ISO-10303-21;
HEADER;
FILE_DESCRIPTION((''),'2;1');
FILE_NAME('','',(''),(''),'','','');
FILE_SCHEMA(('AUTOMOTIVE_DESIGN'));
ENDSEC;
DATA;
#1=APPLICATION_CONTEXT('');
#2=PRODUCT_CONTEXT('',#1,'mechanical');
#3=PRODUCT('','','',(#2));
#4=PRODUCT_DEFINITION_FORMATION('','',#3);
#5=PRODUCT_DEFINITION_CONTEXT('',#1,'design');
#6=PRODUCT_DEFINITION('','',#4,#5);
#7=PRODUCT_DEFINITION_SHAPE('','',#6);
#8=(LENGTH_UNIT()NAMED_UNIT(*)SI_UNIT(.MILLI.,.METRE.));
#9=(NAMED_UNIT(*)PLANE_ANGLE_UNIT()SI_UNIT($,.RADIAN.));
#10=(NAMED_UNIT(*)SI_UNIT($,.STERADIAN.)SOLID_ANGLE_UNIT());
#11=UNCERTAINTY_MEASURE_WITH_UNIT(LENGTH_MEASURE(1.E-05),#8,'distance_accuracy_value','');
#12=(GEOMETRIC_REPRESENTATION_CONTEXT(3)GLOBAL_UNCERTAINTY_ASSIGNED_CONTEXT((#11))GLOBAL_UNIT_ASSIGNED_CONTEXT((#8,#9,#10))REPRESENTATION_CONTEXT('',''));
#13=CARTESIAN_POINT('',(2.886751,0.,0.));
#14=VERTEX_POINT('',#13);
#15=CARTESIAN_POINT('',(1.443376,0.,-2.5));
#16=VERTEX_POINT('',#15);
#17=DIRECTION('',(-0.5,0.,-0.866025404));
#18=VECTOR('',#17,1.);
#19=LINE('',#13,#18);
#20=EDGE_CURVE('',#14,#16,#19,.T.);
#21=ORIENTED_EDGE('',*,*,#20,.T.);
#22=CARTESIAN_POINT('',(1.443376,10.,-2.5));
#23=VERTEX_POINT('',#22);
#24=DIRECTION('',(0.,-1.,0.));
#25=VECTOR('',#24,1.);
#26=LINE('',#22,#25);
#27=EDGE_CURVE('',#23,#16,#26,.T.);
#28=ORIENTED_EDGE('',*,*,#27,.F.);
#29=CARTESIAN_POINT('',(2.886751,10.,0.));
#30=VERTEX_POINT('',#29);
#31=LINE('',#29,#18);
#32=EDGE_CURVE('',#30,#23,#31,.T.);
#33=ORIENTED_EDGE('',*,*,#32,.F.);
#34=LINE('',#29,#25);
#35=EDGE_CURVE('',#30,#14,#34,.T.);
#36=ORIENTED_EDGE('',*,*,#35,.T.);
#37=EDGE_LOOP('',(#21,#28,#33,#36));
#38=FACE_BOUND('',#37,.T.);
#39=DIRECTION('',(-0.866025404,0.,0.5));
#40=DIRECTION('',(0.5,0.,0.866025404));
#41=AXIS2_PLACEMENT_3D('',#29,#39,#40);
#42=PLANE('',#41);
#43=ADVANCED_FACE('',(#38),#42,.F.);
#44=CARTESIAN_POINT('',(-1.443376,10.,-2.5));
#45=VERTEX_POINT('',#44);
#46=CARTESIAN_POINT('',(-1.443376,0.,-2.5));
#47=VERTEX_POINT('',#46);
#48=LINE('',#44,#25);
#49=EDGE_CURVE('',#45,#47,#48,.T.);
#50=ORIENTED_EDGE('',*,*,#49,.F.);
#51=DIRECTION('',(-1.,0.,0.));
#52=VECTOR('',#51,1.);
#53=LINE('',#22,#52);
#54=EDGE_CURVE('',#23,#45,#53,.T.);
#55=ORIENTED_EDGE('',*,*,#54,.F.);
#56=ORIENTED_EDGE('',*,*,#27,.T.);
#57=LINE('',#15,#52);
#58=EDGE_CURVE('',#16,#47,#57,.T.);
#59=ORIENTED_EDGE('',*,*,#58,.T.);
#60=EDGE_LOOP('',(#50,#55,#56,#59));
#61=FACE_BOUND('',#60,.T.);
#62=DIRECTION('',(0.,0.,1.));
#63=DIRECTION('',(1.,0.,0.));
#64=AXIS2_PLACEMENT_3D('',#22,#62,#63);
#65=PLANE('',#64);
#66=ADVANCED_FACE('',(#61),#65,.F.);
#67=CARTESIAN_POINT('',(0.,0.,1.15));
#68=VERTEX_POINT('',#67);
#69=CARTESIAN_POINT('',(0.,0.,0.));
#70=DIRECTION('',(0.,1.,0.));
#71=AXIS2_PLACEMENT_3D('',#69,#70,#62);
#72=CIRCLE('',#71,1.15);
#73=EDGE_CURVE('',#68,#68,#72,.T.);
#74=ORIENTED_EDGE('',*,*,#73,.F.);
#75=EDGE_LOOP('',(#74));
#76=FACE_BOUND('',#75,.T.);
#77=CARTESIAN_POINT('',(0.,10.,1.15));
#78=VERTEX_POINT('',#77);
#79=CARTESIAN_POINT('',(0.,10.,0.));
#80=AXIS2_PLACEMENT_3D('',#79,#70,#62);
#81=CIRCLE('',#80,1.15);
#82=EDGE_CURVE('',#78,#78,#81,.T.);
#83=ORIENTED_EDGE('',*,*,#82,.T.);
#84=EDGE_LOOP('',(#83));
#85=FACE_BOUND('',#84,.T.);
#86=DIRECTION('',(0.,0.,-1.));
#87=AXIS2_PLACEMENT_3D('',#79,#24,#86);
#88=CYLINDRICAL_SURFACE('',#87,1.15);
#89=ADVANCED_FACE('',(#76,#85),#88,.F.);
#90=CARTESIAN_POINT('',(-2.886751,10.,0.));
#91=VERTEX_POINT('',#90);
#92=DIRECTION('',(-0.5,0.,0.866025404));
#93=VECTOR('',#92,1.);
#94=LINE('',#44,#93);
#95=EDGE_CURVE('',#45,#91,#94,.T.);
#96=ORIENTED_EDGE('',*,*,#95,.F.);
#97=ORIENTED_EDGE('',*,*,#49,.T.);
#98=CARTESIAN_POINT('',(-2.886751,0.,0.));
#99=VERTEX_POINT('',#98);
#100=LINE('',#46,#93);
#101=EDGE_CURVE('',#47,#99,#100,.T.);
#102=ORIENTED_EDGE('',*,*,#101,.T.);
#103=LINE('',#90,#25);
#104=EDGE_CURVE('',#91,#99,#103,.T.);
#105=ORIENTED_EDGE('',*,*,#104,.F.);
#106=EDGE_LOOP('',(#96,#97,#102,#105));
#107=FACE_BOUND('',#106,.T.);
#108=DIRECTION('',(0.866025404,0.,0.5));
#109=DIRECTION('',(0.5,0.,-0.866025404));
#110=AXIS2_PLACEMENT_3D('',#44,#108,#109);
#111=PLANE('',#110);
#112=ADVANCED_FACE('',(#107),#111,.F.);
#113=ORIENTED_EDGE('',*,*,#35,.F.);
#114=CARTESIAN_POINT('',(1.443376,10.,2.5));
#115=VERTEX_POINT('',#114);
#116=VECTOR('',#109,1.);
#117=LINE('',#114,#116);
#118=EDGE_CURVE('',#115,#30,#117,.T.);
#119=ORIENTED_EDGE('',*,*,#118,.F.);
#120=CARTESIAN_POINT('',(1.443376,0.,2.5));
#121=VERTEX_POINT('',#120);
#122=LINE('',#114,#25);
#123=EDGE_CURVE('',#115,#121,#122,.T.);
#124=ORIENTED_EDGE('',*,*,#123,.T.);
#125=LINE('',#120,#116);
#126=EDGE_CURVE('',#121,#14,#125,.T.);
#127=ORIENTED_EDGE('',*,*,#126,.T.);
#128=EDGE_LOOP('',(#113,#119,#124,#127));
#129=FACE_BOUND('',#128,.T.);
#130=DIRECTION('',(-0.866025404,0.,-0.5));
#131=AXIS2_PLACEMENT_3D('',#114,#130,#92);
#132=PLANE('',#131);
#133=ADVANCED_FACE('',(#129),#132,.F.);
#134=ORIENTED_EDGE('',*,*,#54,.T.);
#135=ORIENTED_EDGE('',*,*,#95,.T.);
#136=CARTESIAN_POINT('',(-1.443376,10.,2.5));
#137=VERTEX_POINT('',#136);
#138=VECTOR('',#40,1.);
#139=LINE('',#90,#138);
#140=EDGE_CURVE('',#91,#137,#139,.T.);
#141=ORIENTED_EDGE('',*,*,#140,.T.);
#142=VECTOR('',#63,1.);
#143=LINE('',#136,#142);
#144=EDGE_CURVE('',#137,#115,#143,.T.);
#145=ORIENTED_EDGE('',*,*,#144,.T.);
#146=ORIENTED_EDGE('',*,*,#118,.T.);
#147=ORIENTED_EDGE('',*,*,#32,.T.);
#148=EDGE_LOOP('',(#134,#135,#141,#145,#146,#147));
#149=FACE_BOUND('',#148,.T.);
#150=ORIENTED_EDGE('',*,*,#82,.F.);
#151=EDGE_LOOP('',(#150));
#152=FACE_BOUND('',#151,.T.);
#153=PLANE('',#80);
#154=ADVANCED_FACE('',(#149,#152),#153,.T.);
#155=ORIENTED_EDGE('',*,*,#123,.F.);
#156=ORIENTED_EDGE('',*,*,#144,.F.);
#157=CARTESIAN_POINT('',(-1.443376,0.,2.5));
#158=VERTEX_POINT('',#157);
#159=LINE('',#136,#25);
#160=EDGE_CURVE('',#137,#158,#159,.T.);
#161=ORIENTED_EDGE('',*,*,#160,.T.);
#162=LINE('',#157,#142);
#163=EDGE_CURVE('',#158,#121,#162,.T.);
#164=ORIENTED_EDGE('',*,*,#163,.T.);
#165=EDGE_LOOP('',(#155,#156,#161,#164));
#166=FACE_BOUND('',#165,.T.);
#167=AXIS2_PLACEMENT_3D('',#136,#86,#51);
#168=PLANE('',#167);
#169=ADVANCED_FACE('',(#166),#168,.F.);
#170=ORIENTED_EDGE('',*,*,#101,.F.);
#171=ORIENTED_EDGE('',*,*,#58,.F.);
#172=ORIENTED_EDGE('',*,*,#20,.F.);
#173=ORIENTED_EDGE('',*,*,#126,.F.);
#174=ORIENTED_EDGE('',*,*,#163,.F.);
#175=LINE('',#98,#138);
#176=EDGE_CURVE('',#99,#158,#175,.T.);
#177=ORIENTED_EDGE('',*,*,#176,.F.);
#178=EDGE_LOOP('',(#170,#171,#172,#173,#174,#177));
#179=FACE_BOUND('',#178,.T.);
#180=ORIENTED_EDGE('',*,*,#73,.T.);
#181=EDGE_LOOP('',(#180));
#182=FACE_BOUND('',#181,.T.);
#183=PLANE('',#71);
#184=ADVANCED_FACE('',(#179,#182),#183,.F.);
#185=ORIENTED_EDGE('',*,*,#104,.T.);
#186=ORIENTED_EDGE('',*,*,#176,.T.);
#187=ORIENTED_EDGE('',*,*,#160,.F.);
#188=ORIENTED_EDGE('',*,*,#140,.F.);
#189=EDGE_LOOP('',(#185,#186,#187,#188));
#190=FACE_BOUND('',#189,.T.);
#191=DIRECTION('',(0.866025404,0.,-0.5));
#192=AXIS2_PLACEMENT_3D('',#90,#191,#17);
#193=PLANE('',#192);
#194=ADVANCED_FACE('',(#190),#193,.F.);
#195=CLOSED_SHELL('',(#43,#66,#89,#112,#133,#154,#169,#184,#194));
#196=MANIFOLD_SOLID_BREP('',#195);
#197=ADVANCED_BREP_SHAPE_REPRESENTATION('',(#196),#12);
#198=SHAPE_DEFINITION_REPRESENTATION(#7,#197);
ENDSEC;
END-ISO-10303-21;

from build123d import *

# Parameters (mm, degrees)
SKETCH1_R           = 1.15
BOSS_EXTRUDE1_DEPTH = 10


with BuildPart() as part:
    # Sketch1 → Boss-Extrude1 (new body)
    with BuildSketch(Plane(origin=(0, 0, 0), x_dir=(1, 0, 0), z_dir=(0, 1, 0))):
        Polygon((2.886751346, 0), (1.443375673, 2.5), (-1.443375673, 2.5), (-2.886751346, 0), (-1.443375673, -2.5), (1.443375673, -2.5), align=None)
        Circle(SKETCH1_R, mode=Mode.SUBTRACT)
    extrude(amount=BOSS_EXTRUDE1_DEPTH)


solid = part.part
